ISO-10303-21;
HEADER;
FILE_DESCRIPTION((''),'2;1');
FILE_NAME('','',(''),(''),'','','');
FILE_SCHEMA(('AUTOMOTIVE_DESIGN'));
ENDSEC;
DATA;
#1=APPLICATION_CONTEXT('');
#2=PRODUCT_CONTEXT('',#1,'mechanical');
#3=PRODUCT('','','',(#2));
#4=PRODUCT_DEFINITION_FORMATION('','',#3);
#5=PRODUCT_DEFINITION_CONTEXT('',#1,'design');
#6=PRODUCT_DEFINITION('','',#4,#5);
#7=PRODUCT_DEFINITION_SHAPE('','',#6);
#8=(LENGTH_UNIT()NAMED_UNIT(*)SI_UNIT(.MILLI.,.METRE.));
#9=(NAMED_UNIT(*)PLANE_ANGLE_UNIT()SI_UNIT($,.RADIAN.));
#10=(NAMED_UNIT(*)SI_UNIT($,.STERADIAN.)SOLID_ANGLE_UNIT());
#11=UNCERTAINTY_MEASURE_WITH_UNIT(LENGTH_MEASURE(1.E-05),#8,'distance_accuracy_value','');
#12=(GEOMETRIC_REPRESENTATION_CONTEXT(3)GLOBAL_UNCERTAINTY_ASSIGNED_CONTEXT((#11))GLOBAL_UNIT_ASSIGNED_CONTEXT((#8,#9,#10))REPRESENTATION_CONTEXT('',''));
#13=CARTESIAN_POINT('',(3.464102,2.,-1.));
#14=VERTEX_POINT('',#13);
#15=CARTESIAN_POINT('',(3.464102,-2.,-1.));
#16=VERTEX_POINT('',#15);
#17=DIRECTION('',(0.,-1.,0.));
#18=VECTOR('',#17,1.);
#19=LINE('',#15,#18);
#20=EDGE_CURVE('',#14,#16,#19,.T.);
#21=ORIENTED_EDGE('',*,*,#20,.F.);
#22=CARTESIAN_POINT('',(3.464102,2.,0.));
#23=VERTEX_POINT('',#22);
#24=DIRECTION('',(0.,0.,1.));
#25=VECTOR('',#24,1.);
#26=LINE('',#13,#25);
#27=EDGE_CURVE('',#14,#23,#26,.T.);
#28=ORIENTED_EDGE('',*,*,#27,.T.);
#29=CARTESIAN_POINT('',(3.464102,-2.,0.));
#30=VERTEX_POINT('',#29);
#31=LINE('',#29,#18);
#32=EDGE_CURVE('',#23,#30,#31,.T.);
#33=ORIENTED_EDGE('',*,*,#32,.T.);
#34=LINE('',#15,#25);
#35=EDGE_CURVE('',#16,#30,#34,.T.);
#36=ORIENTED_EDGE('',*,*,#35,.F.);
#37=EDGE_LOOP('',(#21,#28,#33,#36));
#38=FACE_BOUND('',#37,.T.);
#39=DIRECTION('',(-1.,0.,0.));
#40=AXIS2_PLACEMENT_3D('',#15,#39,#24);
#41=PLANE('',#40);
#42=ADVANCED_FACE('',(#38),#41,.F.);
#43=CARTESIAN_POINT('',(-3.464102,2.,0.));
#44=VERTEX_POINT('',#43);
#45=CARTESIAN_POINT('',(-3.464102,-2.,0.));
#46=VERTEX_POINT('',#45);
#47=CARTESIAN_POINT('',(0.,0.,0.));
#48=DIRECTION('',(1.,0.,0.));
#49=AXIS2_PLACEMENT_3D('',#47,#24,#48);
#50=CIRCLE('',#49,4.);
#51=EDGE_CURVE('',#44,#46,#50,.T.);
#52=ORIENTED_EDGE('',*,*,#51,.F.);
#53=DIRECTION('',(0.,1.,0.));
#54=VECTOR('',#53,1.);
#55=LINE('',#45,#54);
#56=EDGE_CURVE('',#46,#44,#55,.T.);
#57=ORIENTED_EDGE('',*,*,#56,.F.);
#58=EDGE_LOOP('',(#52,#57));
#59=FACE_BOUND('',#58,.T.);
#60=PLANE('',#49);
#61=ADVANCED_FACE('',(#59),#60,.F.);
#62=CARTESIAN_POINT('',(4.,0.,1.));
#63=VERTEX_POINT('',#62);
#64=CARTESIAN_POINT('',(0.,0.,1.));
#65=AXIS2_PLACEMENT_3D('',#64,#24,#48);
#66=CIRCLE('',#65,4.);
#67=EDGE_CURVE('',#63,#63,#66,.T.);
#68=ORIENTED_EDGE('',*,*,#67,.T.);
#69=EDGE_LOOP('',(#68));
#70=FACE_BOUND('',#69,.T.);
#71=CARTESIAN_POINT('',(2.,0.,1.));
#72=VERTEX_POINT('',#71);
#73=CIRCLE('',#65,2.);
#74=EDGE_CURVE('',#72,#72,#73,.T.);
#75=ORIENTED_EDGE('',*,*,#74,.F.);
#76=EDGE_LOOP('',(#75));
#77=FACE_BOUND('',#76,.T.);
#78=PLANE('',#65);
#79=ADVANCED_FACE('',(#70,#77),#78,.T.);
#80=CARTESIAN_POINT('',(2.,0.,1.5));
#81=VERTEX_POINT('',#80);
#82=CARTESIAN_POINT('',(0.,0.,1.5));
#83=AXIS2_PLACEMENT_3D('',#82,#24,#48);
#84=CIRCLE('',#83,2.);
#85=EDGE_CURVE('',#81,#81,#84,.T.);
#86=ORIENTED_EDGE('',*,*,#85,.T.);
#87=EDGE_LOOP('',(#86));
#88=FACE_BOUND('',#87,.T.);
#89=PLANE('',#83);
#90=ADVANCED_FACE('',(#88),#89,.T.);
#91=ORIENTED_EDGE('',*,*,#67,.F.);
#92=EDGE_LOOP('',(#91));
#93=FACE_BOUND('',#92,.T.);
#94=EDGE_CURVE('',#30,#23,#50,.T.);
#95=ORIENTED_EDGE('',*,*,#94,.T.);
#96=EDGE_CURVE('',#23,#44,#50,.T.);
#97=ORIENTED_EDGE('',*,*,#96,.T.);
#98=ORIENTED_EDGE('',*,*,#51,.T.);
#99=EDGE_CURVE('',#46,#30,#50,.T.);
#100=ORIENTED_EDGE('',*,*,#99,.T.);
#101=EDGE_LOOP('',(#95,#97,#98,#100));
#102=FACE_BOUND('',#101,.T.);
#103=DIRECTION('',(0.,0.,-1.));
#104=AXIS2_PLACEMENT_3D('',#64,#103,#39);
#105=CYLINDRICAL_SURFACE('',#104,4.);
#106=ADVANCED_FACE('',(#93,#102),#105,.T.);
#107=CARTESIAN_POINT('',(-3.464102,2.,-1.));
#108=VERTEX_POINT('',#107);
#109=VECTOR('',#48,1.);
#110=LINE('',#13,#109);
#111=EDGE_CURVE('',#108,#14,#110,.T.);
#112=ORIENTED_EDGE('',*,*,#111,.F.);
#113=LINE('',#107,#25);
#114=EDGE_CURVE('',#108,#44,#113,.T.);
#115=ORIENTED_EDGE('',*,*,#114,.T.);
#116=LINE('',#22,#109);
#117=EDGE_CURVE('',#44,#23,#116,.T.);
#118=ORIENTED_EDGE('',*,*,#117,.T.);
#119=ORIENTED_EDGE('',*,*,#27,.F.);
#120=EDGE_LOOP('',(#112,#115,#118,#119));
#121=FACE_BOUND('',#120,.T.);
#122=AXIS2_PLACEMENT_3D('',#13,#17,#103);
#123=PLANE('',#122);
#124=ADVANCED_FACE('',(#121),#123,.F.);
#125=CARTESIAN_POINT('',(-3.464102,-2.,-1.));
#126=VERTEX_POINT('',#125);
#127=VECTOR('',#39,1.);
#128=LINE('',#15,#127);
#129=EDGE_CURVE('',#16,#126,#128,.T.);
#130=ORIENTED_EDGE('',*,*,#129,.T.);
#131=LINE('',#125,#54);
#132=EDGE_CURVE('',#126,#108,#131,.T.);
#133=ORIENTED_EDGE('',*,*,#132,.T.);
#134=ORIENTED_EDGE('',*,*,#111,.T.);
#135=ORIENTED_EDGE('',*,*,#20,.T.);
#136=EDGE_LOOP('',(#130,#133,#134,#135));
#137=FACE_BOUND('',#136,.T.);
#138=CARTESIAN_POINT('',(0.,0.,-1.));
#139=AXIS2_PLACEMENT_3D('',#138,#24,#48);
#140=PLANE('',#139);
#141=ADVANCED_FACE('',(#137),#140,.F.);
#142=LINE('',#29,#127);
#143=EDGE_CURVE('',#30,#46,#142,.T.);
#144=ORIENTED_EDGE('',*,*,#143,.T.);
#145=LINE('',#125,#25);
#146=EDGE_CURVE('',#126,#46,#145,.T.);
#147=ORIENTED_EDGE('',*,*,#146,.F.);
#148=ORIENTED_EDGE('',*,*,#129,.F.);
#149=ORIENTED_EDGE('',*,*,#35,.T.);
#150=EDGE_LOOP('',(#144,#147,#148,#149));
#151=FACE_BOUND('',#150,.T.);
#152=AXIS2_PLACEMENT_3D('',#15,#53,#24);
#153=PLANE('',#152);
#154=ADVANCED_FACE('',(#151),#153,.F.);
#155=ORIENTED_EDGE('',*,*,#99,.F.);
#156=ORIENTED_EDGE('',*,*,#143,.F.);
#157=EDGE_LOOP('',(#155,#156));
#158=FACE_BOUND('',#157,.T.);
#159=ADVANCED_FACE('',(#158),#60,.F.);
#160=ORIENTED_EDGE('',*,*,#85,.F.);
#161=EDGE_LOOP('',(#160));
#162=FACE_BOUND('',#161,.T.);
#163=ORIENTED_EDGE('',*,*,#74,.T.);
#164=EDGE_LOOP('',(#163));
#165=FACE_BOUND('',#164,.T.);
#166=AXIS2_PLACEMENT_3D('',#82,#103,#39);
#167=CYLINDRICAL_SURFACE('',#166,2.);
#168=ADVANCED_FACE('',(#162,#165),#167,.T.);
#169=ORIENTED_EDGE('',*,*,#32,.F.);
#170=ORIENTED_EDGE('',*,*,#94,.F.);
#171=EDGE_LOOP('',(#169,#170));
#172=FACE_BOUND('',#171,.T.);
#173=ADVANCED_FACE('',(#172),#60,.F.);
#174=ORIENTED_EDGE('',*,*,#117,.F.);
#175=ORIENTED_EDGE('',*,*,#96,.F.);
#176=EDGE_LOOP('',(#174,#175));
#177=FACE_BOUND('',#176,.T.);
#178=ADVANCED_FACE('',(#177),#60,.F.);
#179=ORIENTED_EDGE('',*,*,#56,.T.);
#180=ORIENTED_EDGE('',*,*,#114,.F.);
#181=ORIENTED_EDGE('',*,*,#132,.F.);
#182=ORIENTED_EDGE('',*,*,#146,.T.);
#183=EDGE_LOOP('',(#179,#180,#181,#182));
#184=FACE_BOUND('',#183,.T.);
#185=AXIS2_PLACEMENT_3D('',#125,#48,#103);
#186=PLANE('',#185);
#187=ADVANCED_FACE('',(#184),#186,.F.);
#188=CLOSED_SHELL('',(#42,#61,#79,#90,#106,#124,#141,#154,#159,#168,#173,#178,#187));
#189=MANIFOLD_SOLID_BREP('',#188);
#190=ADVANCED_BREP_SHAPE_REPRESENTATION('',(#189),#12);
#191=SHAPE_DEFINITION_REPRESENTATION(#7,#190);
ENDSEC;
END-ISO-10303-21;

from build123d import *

# Parameters (mm, degrees)
ESBO_O1_R                = 4
RESSALTO_EXTRUS_O1_DEPTH = 1
ESBO_O2_R                = 2
RESSALTO_EXTRUS_O2_DEPTH = 0.5
ESBO_O3_W                = 6.92820323
ESBO_O3_H                = 4
RESSALTO_EXTRUS_O3_DEPTH = 1


with BuildPart() as part:
    # Esboço1 → Ressalto-extrusão1 (new body)
    with BuildSketch(Plane.XY):
        Circle(ESBO_O1_R)
    extrude(amount=RESSALTO_EXTRUS_O1_DEPTH)

    # Esboço2 → Ressalto-extrusão2 (add)
    with BuildSketch(Plane.XY.offset(1)):
        Circle(ESBO_O2_R)
    extrude(amount=RESSALTO_EXTRUS_O2_DEPTH)

    # Esboço3 → Ressalto-extrusão3 (add)
    with BuildSketch(Plane(origin=(0, 0, 0), x_dir=(-1, 0, 0), z_dir=(0, 0, -1))):
        Rectangle(ESBO_O3_W, ESBO_O3_H)
    extrude(amount=RESSALTO_EXTRUS_O3_DEPTH)


solid = part.part
